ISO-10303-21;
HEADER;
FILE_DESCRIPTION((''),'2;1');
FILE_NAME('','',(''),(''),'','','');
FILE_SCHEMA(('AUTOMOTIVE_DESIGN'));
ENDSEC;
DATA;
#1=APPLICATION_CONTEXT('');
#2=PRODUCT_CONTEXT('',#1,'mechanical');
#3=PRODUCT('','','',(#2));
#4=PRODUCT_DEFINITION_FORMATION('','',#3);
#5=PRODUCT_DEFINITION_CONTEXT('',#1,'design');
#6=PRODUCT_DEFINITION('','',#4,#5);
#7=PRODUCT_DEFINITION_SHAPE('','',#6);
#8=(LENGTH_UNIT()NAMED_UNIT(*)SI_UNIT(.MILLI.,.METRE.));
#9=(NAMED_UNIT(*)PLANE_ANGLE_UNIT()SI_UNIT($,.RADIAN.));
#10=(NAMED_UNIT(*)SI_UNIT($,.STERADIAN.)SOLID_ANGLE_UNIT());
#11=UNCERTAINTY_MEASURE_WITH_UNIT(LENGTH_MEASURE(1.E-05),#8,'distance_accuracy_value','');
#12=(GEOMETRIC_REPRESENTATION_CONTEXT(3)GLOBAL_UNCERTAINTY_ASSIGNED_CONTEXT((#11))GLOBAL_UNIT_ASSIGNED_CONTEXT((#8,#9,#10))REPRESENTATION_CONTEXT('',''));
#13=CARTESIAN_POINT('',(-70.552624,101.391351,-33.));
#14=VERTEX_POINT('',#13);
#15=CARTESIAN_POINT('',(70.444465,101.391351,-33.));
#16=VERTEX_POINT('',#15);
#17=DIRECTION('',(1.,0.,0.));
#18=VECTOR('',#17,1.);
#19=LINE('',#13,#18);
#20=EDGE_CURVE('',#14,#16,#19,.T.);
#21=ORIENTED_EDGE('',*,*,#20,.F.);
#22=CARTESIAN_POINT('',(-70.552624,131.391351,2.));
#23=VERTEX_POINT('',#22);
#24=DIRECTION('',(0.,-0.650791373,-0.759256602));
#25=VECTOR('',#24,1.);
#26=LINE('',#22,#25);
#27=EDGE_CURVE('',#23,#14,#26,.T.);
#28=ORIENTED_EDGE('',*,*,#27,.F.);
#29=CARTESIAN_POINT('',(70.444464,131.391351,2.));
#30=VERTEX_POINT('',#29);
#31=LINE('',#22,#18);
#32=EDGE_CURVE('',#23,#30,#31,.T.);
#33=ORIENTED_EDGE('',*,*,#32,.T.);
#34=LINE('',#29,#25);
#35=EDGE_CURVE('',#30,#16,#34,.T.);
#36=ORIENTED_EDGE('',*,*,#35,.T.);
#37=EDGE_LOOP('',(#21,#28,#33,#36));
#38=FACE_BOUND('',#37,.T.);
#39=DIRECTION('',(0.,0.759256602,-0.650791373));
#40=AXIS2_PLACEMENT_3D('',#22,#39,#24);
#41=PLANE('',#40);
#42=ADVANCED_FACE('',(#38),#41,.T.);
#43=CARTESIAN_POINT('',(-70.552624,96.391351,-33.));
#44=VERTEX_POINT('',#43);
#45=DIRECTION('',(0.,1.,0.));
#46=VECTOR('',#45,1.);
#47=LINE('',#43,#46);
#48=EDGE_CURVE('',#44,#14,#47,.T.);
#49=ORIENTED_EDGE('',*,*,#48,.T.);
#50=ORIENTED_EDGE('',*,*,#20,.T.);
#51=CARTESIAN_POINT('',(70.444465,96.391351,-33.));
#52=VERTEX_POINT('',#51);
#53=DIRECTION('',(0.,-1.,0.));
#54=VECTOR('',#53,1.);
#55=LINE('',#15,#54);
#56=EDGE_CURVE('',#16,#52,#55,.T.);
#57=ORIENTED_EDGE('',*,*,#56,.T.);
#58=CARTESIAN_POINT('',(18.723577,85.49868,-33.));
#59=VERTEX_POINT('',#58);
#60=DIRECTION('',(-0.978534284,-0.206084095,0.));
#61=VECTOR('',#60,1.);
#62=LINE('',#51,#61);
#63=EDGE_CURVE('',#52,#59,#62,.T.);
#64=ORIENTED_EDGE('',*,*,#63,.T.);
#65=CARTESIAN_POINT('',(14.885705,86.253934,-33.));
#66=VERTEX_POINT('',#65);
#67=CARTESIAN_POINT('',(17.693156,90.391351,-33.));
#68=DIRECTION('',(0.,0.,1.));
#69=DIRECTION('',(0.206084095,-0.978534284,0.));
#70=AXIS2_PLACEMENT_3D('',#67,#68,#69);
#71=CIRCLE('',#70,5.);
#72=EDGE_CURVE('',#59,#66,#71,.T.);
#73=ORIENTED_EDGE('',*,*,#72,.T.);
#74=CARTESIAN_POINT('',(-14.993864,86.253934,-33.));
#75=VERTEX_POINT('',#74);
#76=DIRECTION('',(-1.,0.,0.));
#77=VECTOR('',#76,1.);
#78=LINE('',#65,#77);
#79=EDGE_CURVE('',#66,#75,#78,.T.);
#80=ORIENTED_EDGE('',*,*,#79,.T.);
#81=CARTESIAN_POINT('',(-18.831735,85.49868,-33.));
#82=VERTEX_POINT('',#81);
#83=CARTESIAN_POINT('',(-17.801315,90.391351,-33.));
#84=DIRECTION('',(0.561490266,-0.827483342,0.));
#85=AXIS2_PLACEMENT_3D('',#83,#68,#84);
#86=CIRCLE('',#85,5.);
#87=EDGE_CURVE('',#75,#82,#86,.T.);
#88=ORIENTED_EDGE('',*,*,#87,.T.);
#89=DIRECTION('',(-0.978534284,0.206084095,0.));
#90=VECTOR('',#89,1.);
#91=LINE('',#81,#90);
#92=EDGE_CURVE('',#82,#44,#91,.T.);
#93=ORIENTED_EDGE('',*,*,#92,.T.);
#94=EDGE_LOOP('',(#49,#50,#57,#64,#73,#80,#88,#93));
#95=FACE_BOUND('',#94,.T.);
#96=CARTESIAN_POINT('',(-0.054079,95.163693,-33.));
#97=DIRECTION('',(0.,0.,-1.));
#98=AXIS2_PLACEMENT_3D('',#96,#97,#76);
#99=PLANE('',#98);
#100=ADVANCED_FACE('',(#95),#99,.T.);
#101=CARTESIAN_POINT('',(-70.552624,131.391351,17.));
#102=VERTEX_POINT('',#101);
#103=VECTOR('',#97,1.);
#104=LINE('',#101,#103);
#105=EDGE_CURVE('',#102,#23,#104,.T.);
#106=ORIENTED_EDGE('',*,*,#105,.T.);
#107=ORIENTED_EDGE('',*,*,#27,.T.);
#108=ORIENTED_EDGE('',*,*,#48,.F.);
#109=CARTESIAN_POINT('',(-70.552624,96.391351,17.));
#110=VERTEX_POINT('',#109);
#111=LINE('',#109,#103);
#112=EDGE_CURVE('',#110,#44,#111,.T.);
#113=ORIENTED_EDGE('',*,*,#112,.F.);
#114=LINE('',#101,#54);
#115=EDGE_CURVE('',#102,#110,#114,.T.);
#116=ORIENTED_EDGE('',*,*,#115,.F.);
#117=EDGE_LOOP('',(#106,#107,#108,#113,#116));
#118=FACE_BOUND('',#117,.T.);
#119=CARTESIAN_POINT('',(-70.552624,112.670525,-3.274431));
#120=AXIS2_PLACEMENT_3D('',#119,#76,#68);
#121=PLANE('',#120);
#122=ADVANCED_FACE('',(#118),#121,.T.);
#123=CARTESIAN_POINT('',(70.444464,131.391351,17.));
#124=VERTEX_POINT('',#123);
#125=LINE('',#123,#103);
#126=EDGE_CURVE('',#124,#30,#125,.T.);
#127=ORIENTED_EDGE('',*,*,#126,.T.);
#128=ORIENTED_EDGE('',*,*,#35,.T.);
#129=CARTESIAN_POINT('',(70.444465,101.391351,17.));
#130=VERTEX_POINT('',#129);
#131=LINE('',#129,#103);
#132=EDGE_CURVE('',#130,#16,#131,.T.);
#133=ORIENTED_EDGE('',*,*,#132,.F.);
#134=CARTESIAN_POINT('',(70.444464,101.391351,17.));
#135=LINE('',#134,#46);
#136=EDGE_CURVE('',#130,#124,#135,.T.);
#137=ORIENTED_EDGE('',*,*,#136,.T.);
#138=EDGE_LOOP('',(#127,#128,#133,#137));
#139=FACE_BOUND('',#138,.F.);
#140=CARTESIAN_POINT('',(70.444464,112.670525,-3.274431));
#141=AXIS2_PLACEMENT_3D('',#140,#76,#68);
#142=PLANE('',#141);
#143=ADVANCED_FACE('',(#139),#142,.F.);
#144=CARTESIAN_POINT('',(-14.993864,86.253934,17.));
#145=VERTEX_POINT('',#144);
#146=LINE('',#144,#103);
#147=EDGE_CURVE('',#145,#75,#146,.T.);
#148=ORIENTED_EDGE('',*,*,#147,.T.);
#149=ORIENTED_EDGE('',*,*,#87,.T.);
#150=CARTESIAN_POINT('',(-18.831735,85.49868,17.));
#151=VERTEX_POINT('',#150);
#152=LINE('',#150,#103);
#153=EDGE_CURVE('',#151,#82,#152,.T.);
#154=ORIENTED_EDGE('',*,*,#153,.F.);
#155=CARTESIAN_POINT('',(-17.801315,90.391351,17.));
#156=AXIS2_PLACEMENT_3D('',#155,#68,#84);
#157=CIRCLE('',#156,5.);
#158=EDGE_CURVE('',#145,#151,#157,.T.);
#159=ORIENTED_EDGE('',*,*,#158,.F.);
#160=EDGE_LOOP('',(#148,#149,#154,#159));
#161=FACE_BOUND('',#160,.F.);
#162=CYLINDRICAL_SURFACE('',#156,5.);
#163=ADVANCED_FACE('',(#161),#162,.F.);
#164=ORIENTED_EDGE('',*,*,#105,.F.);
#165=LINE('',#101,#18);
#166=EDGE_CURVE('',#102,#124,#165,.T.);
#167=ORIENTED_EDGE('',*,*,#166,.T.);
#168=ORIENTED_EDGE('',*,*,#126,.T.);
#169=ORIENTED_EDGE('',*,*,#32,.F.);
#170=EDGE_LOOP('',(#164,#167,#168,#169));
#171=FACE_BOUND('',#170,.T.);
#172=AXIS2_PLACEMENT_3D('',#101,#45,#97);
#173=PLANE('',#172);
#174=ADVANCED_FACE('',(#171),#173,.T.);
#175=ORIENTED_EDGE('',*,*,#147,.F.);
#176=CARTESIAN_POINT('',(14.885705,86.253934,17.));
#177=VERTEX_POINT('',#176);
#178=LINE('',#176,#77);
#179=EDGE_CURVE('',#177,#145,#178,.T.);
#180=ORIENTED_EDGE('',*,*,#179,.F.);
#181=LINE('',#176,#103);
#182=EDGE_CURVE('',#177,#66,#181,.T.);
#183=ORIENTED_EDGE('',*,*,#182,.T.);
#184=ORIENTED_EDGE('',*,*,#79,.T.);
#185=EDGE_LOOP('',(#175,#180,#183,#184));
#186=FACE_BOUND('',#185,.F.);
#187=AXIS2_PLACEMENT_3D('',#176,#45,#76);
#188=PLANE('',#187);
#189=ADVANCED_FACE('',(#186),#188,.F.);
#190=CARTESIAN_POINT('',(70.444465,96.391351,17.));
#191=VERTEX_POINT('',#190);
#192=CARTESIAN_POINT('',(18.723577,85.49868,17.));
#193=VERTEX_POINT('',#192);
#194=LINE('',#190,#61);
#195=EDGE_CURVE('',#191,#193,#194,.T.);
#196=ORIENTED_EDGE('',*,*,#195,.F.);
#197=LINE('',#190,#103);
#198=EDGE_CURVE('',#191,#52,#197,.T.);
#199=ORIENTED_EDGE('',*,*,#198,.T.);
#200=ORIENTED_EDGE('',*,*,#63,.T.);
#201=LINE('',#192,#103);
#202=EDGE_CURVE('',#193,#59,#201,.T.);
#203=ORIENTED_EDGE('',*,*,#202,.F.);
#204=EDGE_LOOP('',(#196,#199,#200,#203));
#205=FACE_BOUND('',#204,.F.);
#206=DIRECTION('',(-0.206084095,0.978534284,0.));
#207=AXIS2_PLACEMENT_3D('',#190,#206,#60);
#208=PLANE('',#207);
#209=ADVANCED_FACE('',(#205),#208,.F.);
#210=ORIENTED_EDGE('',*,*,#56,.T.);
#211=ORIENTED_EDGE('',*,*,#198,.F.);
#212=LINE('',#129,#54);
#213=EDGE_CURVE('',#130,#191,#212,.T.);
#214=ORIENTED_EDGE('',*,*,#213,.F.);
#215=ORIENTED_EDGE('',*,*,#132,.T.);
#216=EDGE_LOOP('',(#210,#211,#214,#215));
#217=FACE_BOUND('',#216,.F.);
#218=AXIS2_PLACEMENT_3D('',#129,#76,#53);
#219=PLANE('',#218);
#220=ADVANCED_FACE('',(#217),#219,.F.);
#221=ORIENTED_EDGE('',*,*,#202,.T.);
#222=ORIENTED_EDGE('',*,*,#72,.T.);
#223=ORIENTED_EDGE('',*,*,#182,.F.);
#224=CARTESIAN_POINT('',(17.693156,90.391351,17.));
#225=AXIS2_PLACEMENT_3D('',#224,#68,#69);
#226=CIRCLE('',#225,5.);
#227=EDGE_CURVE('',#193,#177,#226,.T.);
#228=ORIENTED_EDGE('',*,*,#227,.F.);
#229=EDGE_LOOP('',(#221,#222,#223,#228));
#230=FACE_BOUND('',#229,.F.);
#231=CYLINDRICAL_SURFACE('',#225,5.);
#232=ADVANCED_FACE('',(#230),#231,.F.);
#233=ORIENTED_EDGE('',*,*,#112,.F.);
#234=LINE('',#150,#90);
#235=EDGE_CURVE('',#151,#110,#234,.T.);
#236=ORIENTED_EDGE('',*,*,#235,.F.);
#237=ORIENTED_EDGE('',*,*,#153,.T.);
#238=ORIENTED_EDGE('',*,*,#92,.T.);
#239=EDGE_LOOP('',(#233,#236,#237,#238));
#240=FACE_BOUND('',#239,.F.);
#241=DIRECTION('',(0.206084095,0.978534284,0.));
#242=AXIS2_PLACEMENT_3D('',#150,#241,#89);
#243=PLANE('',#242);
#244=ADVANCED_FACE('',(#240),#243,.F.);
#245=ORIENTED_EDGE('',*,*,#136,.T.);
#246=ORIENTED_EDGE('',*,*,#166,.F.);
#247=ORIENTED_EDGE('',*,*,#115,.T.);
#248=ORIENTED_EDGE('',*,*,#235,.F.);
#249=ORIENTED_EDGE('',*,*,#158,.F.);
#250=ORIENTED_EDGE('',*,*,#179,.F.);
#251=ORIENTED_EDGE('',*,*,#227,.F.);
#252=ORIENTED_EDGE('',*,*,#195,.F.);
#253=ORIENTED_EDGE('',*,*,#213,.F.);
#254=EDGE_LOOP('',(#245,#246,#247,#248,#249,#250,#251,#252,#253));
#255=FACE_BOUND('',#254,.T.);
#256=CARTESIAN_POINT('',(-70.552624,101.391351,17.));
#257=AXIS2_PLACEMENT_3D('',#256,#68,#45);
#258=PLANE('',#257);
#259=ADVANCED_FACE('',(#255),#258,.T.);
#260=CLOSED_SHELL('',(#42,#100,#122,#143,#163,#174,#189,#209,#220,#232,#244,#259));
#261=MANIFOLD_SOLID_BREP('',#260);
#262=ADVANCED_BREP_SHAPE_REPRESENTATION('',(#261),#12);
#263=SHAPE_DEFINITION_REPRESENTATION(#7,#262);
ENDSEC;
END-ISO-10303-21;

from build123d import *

# Parameters (mm, degrees)
BOSS_EXTRUDE1_DEPTH = 50
BOSS_EXTRUDE2_DEPTH = 140.997088


with BuildPart() as part:
    # Sketch2 → Boss-Extrude1 (new body)
    with BuildSketch(Plane.XY.offset(17)):
        with BuildLine():
            Line((70.444464788, 96.391350971), (18.723576719, 85.49867955))
            ThreePointArc((18.723576719, 85.49867955), (18.658589867, 95.297259441), (14.88570491, 86.253934263))
            Line((14.88570491, 86.253934263), (-14.993863644, 86.253934263))
            ThreePointArc((-14.993863644, 86.253934263), (-18.766748601, 95.297259441), (-18.831735453, 85.49867955))
            Line((-18.831735453, 85.49867955), (-70.552623522, 96.391350971))
            Line((-70.552623522, 96.391350971), (-70.552623522, 101.391350971))
            Line((-70.552623522, 101.391350971), (70.444464788, 101.391350971))
            Line((70.444464788, 101.391350971), (70.444464788, 96.391350971))
        make_face()
    extrude(amount=-BOSS_EXTRUDE1_DEPTH)

    # Sketch7 → Boss-Extrude2 (add)
    with BuildSketch(Plane.ZY.offset(70.552623522)):
        Polygon((17, 131.391350971), (2, 131.391350971), (-33, 101.391350971), (17, 101.391350971), align=None)
    extrude(amount=-BOSS_EXTRUDE2_DEPTH)


solid = part.part
